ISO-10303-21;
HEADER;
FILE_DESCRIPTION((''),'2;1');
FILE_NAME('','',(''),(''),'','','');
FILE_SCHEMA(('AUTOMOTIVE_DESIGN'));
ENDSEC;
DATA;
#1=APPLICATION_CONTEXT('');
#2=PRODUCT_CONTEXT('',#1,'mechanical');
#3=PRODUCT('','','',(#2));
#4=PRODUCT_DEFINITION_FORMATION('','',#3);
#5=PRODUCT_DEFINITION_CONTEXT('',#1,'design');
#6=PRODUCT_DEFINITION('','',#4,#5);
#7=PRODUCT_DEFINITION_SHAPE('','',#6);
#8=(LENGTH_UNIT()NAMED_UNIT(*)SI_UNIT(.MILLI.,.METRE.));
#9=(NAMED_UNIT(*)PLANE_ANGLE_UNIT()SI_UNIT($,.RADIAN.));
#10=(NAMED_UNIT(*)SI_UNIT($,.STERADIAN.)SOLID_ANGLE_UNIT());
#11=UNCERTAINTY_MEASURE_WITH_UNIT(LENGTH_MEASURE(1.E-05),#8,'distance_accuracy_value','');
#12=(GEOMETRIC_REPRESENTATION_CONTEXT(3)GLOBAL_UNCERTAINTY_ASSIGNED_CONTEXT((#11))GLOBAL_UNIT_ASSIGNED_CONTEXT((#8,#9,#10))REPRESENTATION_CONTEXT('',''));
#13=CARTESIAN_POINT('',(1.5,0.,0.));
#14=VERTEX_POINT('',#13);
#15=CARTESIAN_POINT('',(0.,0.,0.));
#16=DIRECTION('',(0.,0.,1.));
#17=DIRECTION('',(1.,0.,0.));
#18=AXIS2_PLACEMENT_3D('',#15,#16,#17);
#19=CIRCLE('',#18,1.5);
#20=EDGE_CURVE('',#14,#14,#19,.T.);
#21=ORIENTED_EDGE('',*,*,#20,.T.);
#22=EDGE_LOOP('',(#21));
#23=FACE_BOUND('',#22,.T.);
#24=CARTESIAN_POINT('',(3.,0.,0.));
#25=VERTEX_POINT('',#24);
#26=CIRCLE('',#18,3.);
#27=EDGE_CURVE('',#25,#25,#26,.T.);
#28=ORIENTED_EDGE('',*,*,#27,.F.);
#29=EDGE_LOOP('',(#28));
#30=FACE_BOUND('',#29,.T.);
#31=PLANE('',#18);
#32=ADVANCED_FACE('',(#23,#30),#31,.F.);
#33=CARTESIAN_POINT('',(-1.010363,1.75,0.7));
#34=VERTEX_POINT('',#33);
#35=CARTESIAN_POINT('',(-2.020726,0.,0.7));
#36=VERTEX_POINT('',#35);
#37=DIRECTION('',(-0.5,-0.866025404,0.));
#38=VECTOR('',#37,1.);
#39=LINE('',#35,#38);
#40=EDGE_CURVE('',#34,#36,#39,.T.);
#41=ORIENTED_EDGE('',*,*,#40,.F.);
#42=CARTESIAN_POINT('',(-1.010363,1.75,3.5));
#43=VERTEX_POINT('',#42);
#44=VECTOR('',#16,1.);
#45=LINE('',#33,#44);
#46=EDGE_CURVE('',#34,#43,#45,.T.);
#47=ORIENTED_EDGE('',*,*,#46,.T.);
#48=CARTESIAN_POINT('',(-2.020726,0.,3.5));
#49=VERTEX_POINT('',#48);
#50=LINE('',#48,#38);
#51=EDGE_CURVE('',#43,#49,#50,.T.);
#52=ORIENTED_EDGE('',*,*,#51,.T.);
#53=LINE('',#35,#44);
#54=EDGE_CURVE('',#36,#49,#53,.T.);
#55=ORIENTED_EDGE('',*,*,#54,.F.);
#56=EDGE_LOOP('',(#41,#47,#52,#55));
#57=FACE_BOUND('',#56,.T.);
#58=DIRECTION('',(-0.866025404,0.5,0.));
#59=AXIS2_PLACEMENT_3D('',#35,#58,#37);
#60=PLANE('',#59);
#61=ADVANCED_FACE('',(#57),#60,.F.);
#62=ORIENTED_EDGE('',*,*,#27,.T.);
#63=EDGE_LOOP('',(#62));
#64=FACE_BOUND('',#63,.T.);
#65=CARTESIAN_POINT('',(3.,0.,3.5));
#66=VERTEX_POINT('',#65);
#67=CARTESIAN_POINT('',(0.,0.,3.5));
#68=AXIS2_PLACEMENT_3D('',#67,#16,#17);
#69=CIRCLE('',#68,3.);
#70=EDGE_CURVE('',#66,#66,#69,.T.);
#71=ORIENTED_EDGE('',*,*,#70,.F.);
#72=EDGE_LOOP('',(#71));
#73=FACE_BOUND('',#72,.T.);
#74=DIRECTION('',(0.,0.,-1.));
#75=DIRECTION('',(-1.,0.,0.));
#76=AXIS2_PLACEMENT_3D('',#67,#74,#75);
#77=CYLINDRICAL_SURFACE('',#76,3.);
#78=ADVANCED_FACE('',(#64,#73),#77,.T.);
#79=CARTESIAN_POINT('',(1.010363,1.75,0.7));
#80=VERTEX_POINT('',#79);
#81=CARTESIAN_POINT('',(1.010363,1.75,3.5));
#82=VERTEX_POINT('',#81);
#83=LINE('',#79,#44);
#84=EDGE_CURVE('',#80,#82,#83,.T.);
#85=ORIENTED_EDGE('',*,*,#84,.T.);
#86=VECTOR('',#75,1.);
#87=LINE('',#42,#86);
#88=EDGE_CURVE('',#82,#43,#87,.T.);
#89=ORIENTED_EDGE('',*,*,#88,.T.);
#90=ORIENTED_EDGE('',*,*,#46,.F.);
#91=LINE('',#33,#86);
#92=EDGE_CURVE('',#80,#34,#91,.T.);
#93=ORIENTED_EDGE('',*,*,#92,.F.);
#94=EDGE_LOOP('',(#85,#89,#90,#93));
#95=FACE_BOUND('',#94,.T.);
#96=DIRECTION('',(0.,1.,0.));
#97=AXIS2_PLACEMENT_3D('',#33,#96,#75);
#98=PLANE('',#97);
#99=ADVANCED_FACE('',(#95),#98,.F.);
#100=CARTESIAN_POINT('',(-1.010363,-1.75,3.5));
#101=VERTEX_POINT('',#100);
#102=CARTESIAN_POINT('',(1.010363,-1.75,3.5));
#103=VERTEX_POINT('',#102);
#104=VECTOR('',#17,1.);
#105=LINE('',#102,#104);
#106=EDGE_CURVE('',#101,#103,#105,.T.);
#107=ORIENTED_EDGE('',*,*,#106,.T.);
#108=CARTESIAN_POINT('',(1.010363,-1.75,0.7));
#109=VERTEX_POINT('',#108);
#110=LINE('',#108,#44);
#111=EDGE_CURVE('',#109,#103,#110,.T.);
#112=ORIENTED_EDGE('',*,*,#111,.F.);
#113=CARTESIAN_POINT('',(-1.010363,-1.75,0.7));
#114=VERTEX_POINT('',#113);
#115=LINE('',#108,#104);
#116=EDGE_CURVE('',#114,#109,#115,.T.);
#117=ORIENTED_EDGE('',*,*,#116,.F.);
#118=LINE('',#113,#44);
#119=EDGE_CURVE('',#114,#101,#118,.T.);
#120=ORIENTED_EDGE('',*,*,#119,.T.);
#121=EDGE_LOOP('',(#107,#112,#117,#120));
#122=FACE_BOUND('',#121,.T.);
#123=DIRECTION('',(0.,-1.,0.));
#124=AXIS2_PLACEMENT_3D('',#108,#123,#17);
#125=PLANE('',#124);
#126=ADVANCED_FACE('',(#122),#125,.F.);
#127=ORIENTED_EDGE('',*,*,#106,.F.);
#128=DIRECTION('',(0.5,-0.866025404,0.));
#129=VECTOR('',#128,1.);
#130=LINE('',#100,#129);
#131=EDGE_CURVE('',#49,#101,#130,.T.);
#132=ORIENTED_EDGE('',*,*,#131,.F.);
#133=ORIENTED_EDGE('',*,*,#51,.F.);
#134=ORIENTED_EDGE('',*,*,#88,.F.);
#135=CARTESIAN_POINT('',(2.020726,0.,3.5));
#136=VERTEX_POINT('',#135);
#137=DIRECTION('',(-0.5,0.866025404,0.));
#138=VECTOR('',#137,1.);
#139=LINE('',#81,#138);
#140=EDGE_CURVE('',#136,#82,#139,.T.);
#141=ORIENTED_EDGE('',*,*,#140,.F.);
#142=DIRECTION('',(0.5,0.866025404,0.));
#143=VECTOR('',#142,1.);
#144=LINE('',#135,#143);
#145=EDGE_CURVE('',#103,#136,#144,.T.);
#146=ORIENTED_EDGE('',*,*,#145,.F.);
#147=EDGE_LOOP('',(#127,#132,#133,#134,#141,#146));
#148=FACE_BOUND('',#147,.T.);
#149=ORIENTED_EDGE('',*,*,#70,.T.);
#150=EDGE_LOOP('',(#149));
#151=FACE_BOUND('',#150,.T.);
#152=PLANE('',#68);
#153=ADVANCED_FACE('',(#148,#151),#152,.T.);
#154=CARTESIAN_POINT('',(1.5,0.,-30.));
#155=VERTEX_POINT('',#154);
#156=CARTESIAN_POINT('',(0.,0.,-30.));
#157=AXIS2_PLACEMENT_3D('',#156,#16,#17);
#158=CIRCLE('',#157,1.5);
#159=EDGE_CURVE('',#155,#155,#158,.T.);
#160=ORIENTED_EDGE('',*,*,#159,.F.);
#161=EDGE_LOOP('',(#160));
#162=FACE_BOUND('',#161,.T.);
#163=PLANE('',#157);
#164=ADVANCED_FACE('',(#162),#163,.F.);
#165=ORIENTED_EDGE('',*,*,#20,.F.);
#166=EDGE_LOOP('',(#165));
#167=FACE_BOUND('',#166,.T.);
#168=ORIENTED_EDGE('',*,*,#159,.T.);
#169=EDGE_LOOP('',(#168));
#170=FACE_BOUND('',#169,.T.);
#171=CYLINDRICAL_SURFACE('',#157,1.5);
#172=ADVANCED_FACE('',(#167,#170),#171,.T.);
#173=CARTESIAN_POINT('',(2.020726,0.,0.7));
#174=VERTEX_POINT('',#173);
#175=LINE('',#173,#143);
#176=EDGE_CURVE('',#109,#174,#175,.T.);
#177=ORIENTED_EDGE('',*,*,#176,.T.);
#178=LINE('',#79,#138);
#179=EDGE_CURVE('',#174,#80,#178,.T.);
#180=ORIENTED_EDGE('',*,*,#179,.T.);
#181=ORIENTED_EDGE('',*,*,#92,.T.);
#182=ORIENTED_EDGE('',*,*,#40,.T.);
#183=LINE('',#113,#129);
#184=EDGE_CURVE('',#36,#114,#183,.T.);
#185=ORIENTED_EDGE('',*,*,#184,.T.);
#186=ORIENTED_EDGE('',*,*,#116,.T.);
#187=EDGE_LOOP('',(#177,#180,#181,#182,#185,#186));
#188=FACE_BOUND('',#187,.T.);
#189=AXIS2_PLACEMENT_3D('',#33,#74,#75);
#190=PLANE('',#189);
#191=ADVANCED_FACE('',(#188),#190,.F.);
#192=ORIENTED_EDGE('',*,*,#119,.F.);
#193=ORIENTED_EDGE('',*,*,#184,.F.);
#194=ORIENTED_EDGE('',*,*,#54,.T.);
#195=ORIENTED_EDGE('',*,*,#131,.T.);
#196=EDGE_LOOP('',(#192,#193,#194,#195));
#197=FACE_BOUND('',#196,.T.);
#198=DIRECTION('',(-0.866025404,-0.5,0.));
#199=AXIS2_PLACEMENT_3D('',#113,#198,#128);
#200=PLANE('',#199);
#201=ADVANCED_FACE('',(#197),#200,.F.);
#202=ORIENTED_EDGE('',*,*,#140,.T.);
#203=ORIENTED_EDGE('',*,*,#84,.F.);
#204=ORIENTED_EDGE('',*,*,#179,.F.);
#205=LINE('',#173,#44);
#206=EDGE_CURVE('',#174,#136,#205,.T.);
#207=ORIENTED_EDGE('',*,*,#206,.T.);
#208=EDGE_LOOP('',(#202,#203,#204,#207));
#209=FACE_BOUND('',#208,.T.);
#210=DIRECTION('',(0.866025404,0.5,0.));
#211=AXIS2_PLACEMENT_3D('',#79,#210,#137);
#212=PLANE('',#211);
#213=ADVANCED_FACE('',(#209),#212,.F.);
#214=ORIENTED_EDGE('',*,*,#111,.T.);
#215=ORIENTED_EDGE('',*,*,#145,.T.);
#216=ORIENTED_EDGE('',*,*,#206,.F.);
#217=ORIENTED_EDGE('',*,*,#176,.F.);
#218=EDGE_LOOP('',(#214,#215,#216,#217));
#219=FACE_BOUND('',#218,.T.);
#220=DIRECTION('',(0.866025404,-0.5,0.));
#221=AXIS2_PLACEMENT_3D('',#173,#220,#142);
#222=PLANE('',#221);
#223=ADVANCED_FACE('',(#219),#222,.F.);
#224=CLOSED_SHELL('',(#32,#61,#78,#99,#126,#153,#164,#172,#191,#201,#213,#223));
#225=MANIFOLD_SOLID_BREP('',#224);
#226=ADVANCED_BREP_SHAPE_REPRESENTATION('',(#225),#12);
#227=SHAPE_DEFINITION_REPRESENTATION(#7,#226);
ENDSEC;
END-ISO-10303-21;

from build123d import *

# Parameters (mm, degrees)
SKETCH1_R                   = 3
HEAD_BOSS_EXTRUDE1_DEPTH    = 3.5
HEAD_HEX_CUT_EXTRUDE1_DEPTH = 2.8
SKETCH2_R                   = 1.5
SCREW_BOSS_EXTRUDE2_DEPTH   = 30


with BuildPart() as part:
    # Sketch1 → Head Boss-Extrude1 (new body)
    with BuildSketch(Plane.XY):
        Circle(SKETCH1_R)
    extrude(amount=HEAD_BOSS_EXTRUDE1_DEPTH)

    # Sketch3 → Head Hex Cut-Extrude1 (cut)
    with BuildSketch(Plane.XY.offset(3.5)):
        Polygon((-1.010362971, 1.75), (1.010362971, 1.75), (2.020725942, 0), (1.010362971, -1.75), (-1.010362971, -1.75), (-2.020725942, 0), align=None)
    extrude(amount=-HEAD_HEX_CUT_EXTRUDE1_DEPTH, mode=Mode.SUBTRACT)

    # Sketch2 → Screw Boss-Extrude2 (add)
    with BuildSketch(Plane.XY):
        Circle(SKETCH2_R)
    extrude(amount=-SCREW_BOSS_EXTRUDE2_DEPTH)


solid = part.part
